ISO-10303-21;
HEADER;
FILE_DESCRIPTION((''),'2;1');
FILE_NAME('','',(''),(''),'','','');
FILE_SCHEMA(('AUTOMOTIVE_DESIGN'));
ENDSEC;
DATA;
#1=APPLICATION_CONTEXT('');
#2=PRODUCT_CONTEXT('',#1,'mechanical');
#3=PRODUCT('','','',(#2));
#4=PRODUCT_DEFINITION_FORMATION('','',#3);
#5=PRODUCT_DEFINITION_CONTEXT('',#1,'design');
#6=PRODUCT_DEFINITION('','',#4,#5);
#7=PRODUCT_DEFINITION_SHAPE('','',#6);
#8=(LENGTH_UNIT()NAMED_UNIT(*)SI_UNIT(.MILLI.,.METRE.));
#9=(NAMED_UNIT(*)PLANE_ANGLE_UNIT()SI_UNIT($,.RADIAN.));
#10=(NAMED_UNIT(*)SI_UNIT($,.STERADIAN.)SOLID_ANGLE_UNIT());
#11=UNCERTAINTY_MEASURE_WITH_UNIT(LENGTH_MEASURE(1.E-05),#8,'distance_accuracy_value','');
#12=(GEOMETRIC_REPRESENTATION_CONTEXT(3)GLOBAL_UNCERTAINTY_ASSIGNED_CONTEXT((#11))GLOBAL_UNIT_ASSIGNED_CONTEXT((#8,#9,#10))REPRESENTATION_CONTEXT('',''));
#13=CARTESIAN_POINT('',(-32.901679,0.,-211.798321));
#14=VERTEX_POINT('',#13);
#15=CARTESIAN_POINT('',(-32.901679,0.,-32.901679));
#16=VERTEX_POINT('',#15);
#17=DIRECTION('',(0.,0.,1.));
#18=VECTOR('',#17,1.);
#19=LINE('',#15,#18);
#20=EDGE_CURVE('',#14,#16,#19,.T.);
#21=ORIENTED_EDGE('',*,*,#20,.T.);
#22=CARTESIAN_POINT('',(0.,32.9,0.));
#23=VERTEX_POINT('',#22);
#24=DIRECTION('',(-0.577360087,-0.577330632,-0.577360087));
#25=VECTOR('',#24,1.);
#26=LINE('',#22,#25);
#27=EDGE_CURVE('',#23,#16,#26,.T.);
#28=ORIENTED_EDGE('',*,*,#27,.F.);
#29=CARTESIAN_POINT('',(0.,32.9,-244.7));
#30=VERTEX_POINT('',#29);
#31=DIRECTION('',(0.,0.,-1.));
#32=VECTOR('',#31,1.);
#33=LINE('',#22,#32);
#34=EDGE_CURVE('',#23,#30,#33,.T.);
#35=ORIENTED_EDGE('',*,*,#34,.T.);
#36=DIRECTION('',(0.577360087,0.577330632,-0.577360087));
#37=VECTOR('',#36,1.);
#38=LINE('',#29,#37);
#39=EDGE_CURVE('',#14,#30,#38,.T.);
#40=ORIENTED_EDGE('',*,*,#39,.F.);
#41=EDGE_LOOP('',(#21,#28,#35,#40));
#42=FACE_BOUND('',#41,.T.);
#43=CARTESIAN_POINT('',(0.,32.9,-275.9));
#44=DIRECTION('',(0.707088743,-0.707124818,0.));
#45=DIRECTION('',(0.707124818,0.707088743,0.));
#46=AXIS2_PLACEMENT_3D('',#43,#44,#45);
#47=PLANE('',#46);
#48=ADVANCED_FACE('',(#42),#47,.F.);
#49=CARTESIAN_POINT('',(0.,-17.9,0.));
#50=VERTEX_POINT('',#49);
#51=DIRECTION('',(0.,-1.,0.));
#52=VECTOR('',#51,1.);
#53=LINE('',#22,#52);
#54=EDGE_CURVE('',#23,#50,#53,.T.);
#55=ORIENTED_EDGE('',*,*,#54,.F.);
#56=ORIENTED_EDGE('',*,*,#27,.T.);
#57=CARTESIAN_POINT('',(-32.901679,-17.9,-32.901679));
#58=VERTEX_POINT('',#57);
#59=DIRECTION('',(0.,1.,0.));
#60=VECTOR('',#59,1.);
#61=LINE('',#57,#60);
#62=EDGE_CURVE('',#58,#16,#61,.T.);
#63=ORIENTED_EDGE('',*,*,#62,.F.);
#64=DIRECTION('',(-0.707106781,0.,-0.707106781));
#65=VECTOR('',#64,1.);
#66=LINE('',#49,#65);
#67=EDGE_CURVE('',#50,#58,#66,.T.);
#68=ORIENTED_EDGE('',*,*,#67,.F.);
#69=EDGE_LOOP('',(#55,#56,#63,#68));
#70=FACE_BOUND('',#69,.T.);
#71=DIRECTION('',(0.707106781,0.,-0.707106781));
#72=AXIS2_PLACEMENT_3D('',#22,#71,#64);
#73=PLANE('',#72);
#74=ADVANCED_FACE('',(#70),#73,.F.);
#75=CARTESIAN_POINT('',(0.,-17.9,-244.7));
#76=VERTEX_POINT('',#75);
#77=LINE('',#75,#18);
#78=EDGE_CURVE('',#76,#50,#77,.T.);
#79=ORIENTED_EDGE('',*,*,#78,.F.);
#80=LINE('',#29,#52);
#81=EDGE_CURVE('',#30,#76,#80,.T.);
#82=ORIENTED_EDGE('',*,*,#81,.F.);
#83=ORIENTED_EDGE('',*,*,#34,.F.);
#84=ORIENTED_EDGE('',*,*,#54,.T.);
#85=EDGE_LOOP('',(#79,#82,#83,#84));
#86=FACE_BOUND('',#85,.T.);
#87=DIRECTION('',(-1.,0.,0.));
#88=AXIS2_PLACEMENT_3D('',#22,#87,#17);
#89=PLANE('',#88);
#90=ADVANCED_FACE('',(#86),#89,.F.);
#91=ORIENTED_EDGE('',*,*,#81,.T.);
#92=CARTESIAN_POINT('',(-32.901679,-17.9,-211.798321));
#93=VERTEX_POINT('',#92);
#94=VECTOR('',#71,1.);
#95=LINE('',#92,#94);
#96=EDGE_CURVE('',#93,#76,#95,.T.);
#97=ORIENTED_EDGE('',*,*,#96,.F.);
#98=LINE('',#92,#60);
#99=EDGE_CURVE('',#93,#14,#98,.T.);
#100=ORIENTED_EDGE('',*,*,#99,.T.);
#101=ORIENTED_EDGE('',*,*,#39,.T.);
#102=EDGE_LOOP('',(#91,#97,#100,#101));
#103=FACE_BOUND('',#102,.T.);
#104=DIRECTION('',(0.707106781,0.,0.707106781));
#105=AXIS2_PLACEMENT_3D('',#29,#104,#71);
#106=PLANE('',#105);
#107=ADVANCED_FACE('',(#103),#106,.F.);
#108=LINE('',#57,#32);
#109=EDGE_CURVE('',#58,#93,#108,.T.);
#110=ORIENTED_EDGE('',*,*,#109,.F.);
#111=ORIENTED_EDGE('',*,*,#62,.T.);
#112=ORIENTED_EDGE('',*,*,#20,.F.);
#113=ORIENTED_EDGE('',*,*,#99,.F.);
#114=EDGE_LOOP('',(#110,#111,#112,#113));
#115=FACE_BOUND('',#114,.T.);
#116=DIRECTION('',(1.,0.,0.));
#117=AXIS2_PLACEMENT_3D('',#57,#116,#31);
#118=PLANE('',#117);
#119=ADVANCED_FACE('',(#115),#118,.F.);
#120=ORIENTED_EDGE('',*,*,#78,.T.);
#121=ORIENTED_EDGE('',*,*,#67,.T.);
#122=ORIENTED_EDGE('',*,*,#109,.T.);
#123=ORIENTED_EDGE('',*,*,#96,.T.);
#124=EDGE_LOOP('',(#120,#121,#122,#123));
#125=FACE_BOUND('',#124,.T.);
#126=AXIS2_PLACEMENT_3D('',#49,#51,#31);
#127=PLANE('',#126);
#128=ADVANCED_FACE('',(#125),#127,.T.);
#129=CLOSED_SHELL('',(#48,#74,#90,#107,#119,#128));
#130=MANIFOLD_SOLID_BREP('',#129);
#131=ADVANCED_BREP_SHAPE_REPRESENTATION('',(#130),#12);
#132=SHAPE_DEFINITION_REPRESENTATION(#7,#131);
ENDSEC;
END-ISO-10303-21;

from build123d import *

# Parameters (mm, degrees)
BOSS_EXTRUDE1_DEPTH = 32.9
CUT_EXTRUDE1_DEPTH  = 275.9
BOSS_EXTRUDE2_DEPTH = 17.9


with BuildPart() as part:
    # Sketch1 → Boss-Extrude1 (new body)
    with BuildSketch(Plane(origin=(0, 0, 0), x_dir=(1, 0, 0), z_dir=(0, 1, 0))):
        Polygon((0, 244.7), (-32.901678529, 211.798321471), (-32.901678529, 32.901678529), (0, 0), align=None)
    extrude(amount=BOSS_EXTRUDE1_DEPTH)

    # Sketch2 → Cut-Extrude1 (cut)
    with BuildSketch(Plane.XY):
        Polygon((0, 32.9), (-32.901678529, 0), (-32.901678529, 32.9), align=None)
    extrude(amount=-CUT_EXTRUDE1_DEPTH, mode=Mode.SUBTRACT)

    # Sketch3 → Boss-Extrude2 (add)
    with BuildSketch(Plane.XZ):
        Polygon((0, 0), (-32.901678529, -32.901678529), (-32.901678529, -211.798321471), (0, -244.7), align=None)
    extrude(amount=BOSS_EXTRUDE2_DEPTH)


solid = part.part
